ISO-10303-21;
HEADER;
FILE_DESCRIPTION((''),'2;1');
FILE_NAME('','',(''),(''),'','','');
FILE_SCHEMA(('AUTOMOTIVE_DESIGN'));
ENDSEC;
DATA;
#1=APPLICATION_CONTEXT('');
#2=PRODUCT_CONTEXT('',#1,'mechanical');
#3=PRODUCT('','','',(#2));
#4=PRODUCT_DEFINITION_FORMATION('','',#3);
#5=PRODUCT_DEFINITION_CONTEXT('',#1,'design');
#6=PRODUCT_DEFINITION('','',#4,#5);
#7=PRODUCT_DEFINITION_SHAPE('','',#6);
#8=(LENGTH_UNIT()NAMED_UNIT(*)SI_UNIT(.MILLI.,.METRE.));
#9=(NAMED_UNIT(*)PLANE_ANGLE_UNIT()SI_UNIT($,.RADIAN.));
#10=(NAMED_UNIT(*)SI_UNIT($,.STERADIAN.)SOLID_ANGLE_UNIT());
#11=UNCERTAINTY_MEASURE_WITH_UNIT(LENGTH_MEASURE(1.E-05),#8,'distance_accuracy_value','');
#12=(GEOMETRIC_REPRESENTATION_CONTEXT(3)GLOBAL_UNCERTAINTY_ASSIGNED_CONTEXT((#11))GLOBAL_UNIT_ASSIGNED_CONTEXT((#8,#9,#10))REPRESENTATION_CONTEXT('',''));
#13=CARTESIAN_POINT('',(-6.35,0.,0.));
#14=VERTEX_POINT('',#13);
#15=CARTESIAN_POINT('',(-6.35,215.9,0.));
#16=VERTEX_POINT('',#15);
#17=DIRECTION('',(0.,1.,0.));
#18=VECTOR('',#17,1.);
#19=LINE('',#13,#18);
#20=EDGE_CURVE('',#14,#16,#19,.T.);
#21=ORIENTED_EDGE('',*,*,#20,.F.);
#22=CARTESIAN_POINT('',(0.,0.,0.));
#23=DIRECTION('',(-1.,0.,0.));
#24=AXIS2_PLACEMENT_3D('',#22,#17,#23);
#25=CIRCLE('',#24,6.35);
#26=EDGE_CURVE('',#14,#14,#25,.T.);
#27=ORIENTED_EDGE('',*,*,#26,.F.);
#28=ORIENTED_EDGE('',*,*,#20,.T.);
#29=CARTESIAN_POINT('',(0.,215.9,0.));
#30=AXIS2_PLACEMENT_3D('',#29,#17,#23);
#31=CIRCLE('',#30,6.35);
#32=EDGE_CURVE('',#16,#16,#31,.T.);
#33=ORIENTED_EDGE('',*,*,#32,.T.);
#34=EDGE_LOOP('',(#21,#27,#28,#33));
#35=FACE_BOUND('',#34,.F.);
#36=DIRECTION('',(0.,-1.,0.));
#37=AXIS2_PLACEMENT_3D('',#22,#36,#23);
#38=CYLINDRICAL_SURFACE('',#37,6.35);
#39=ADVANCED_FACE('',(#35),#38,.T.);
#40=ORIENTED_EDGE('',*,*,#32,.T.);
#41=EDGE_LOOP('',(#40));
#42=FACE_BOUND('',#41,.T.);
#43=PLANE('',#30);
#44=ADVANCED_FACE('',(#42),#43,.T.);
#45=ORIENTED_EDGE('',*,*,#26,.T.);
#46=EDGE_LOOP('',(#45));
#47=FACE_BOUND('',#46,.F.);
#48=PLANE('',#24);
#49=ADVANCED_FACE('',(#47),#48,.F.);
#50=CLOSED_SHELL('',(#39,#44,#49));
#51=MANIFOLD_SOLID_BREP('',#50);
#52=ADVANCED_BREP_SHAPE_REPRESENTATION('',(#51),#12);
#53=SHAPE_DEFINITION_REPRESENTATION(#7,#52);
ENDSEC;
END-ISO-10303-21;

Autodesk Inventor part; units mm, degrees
ref_plane "YZ Plane" through (0, 0, 0) normal (1, 0, 0) x (0, 1, 0)
ref_plane "XZ Plane" through (0, 0, 0) normal (0, 1, 0) x (-1, 0, 0)
ref_plane "XY Plane" through (0, 0, 0) normal (0, 0, 1) x (1, 0, 0)
sketch "Sketch1" plane through (0, 0, 0) normal (0, 1, 0) x (-1, 0, 0)
  circle A0 centre (0, 0) radius 6.35
  dimension "d0" = 12.7
extrude "Extrusion1" add sketch "Sketch1" along normal blind 215.9
properties part number "Hood rod" material "Aluminum 6061"
